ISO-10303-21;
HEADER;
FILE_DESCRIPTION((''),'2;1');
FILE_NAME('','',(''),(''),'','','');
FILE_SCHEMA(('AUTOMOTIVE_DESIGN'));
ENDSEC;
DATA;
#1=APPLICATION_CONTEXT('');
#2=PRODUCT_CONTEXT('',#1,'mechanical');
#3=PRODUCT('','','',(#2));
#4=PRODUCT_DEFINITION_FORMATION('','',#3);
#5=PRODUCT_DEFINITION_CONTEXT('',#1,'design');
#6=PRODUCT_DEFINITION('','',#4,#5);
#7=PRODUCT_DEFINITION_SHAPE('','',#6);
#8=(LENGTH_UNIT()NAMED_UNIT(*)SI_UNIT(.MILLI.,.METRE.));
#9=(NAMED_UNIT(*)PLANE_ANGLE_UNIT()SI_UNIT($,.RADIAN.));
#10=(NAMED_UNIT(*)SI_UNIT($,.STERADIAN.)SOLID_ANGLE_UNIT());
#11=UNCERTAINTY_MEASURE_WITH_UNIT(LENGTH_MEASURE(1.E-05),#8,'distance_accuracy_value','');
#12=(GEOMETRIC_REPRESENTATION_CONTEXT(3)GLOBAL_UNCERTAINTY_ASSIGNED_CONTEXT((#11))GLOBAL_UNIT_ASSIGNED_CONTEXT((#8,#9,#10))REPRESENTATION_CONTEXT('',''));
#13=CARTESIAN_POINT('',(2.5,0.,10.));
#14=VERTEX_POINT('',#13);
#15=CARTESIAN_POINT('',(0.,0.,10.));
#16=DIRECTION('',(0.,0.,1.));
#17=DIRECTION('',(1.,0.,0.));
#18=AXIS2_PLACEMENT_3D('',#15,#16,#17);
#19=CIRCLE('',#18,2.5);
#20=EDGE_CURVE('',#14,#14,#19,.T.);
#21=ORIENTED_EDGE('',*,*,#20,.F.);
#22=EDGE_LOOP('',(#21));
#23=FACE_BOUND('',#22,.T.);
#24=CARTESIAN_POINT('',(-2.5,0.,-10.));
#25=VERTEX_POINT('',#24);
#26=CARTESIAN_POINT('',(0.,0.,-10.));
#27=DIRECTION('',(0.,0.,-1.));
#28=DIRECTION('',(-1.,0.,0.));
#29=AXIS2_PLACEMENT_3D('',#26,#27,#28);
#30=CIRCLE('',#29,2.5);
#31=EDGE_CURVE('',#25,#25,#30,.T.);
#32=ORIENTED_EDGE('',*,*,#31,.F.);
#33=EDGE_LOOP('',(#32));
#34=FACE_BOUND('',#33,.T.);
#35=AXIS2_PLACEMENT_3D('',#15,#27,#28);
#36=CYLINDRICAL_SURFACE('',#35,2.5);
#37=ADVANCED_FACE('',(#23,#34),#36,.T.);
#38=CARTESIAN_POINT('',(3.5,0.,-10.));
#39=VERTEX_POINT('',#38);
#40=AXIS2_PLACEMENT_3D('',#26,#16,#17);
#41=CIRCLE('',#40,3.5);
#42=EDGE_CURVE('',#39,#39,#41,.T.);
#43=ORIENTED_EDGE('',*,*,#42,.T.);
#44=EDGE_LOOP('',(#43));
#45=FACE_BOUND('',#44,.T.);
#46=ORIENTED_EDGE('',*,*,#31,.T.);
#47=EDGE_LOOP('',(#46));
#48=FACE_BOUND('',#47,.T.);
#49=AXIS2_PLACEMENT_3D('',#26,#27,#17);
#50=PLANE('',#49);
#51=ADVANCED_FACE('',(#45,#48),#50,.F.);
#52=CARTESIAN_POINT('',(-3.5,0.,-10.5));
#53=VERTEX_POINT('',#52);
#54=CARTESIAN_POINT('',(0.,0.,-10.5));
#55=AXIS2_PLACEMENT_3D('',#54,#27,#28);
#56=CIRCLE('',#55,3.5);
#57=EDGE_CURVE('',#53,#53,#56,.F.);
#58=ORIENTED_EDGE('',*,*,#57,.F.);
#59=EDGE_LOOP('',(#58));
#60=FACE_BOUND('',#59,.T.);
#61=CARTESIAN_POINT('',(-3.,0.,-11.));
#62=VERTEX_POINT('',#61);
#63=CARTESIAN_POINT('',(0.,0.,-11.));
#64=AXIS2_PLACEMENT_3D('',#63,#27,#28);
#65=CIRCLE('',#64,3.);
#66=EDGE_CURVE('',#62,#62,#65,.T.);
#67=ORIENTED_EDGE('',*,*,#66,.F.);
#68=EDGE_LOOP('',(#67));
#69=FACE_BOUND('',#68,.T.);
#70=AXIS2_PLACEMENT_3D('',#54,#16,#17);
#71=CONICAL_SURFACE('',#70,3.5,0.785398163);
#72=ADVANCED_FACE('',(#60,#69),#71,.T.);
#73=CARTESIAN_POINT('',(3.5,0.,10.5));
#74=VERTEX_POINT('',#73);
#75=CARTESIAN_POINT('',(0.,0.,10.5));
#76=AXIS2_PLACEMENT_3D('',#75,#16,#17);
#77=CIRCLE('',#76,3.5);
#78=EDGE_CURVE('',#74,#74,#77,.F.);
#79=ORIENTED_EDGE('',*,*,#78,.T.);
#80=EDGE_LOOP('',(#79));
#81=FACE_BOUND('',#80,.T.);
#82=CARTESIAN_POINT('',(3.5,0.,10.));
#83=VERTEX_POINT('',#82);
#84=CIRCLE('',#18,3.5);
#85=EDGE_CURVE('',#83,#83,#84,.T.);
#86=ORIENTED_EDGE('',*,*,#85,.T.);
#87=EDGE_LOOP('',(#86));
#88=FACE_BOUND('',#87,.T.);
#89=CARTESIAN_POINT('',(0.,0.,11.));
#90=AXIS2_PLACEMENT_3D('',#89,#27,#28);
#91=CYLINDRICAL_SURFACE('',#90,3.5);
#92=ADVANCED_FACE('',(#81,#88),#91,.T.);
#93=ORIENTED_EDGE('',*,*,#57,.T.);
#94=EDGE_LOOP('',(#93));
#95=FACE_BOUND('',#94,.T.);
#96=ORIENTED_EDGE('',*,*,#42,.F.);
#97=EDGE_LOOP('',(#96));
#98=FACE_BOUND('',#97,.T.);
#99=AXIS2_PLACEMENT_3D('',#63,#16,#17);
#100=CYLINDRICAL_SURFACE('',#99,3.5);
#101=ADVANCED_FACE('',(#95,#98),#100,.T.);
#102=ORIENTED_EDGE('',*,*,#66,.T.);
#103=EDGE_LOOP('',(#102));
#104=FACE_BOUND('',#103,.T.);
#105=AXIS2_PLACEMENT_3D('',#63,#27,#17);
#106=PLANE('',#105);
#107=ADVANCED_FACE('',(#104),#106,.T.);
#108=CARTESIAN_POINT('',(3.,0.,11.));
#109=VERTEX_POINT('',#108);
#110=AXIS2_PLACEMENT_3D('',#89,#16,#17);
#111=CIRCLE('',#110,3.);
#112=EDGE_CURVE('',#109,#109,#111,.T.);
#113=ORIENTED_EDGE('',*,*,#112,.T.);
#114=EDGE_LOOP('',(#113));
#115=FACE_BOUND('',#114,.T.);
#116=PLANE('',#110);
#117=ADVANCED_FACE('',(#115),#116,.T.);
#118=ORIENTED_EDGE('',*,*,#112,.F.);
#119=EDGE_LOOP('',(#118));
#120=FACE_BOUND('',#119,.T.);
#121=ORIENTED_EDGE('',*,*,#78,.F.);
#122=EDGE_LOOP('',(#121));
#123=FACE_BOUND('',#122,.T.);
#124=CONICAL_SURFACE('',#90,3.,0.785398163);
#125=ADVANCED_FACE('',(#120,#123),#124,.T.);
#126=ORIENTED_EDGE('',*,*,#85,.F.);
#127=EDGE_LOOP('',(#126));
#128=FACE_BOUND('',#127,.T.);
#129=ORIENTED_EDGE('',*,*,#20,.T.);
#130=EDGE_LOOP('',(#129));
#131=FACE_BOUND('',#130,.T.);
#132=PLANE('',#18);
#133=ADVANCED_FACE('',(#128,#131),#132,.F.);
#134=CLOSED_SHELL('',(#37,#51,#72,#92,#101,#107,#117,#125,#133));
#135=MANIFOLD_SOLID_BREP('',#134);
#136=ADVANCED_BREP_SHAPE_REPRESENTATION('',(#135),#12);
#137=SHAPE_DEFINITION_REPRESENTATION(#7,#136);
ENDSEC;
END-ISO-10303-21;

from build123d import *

# Parameters (mm, degrees)
SKETCH1_R           = 2.5
BOSS_EXTRUDE1_DEPTH = 10
SKETCH2_R           = 3.5
BOSS_EXTRUDE2_DEPTH = 1
CHAMFER1_SIZE       = 0.5


with BuildPart() as part:
    # Sketch1 → Boss-Extrude1 (new body, symmetric)
    with BuildSketch(Plane.XY):
        Circle(SKETCH1_R)
    extrude(amount=BOSS_EXTRUDE1_DEPTH, both=True)

    # Sketch2 → Boss-Extrude2 (add)
    with BuildSketch(Plane.XY.offset(10)):
        Circle(SKETCH2_R)
    boss_extrude2 = extrude(amount=BOSS_EXTRUDE2_DEPTH)

    # Mirror1: Boss-Extrude2 across plane
    add(boss_extrude2.mirror(Plane.XY))

    # Chamfer1
    chamfer1_edges = [part.edges().sort_by_distance(p)[0] for p in [
        (-3.5, 0, 11),
        (-3.5, 0, -11),
    ]]
    chamfer(chamfer1_edges, length=CHAMFER1_SIZE)


solid = part.part
